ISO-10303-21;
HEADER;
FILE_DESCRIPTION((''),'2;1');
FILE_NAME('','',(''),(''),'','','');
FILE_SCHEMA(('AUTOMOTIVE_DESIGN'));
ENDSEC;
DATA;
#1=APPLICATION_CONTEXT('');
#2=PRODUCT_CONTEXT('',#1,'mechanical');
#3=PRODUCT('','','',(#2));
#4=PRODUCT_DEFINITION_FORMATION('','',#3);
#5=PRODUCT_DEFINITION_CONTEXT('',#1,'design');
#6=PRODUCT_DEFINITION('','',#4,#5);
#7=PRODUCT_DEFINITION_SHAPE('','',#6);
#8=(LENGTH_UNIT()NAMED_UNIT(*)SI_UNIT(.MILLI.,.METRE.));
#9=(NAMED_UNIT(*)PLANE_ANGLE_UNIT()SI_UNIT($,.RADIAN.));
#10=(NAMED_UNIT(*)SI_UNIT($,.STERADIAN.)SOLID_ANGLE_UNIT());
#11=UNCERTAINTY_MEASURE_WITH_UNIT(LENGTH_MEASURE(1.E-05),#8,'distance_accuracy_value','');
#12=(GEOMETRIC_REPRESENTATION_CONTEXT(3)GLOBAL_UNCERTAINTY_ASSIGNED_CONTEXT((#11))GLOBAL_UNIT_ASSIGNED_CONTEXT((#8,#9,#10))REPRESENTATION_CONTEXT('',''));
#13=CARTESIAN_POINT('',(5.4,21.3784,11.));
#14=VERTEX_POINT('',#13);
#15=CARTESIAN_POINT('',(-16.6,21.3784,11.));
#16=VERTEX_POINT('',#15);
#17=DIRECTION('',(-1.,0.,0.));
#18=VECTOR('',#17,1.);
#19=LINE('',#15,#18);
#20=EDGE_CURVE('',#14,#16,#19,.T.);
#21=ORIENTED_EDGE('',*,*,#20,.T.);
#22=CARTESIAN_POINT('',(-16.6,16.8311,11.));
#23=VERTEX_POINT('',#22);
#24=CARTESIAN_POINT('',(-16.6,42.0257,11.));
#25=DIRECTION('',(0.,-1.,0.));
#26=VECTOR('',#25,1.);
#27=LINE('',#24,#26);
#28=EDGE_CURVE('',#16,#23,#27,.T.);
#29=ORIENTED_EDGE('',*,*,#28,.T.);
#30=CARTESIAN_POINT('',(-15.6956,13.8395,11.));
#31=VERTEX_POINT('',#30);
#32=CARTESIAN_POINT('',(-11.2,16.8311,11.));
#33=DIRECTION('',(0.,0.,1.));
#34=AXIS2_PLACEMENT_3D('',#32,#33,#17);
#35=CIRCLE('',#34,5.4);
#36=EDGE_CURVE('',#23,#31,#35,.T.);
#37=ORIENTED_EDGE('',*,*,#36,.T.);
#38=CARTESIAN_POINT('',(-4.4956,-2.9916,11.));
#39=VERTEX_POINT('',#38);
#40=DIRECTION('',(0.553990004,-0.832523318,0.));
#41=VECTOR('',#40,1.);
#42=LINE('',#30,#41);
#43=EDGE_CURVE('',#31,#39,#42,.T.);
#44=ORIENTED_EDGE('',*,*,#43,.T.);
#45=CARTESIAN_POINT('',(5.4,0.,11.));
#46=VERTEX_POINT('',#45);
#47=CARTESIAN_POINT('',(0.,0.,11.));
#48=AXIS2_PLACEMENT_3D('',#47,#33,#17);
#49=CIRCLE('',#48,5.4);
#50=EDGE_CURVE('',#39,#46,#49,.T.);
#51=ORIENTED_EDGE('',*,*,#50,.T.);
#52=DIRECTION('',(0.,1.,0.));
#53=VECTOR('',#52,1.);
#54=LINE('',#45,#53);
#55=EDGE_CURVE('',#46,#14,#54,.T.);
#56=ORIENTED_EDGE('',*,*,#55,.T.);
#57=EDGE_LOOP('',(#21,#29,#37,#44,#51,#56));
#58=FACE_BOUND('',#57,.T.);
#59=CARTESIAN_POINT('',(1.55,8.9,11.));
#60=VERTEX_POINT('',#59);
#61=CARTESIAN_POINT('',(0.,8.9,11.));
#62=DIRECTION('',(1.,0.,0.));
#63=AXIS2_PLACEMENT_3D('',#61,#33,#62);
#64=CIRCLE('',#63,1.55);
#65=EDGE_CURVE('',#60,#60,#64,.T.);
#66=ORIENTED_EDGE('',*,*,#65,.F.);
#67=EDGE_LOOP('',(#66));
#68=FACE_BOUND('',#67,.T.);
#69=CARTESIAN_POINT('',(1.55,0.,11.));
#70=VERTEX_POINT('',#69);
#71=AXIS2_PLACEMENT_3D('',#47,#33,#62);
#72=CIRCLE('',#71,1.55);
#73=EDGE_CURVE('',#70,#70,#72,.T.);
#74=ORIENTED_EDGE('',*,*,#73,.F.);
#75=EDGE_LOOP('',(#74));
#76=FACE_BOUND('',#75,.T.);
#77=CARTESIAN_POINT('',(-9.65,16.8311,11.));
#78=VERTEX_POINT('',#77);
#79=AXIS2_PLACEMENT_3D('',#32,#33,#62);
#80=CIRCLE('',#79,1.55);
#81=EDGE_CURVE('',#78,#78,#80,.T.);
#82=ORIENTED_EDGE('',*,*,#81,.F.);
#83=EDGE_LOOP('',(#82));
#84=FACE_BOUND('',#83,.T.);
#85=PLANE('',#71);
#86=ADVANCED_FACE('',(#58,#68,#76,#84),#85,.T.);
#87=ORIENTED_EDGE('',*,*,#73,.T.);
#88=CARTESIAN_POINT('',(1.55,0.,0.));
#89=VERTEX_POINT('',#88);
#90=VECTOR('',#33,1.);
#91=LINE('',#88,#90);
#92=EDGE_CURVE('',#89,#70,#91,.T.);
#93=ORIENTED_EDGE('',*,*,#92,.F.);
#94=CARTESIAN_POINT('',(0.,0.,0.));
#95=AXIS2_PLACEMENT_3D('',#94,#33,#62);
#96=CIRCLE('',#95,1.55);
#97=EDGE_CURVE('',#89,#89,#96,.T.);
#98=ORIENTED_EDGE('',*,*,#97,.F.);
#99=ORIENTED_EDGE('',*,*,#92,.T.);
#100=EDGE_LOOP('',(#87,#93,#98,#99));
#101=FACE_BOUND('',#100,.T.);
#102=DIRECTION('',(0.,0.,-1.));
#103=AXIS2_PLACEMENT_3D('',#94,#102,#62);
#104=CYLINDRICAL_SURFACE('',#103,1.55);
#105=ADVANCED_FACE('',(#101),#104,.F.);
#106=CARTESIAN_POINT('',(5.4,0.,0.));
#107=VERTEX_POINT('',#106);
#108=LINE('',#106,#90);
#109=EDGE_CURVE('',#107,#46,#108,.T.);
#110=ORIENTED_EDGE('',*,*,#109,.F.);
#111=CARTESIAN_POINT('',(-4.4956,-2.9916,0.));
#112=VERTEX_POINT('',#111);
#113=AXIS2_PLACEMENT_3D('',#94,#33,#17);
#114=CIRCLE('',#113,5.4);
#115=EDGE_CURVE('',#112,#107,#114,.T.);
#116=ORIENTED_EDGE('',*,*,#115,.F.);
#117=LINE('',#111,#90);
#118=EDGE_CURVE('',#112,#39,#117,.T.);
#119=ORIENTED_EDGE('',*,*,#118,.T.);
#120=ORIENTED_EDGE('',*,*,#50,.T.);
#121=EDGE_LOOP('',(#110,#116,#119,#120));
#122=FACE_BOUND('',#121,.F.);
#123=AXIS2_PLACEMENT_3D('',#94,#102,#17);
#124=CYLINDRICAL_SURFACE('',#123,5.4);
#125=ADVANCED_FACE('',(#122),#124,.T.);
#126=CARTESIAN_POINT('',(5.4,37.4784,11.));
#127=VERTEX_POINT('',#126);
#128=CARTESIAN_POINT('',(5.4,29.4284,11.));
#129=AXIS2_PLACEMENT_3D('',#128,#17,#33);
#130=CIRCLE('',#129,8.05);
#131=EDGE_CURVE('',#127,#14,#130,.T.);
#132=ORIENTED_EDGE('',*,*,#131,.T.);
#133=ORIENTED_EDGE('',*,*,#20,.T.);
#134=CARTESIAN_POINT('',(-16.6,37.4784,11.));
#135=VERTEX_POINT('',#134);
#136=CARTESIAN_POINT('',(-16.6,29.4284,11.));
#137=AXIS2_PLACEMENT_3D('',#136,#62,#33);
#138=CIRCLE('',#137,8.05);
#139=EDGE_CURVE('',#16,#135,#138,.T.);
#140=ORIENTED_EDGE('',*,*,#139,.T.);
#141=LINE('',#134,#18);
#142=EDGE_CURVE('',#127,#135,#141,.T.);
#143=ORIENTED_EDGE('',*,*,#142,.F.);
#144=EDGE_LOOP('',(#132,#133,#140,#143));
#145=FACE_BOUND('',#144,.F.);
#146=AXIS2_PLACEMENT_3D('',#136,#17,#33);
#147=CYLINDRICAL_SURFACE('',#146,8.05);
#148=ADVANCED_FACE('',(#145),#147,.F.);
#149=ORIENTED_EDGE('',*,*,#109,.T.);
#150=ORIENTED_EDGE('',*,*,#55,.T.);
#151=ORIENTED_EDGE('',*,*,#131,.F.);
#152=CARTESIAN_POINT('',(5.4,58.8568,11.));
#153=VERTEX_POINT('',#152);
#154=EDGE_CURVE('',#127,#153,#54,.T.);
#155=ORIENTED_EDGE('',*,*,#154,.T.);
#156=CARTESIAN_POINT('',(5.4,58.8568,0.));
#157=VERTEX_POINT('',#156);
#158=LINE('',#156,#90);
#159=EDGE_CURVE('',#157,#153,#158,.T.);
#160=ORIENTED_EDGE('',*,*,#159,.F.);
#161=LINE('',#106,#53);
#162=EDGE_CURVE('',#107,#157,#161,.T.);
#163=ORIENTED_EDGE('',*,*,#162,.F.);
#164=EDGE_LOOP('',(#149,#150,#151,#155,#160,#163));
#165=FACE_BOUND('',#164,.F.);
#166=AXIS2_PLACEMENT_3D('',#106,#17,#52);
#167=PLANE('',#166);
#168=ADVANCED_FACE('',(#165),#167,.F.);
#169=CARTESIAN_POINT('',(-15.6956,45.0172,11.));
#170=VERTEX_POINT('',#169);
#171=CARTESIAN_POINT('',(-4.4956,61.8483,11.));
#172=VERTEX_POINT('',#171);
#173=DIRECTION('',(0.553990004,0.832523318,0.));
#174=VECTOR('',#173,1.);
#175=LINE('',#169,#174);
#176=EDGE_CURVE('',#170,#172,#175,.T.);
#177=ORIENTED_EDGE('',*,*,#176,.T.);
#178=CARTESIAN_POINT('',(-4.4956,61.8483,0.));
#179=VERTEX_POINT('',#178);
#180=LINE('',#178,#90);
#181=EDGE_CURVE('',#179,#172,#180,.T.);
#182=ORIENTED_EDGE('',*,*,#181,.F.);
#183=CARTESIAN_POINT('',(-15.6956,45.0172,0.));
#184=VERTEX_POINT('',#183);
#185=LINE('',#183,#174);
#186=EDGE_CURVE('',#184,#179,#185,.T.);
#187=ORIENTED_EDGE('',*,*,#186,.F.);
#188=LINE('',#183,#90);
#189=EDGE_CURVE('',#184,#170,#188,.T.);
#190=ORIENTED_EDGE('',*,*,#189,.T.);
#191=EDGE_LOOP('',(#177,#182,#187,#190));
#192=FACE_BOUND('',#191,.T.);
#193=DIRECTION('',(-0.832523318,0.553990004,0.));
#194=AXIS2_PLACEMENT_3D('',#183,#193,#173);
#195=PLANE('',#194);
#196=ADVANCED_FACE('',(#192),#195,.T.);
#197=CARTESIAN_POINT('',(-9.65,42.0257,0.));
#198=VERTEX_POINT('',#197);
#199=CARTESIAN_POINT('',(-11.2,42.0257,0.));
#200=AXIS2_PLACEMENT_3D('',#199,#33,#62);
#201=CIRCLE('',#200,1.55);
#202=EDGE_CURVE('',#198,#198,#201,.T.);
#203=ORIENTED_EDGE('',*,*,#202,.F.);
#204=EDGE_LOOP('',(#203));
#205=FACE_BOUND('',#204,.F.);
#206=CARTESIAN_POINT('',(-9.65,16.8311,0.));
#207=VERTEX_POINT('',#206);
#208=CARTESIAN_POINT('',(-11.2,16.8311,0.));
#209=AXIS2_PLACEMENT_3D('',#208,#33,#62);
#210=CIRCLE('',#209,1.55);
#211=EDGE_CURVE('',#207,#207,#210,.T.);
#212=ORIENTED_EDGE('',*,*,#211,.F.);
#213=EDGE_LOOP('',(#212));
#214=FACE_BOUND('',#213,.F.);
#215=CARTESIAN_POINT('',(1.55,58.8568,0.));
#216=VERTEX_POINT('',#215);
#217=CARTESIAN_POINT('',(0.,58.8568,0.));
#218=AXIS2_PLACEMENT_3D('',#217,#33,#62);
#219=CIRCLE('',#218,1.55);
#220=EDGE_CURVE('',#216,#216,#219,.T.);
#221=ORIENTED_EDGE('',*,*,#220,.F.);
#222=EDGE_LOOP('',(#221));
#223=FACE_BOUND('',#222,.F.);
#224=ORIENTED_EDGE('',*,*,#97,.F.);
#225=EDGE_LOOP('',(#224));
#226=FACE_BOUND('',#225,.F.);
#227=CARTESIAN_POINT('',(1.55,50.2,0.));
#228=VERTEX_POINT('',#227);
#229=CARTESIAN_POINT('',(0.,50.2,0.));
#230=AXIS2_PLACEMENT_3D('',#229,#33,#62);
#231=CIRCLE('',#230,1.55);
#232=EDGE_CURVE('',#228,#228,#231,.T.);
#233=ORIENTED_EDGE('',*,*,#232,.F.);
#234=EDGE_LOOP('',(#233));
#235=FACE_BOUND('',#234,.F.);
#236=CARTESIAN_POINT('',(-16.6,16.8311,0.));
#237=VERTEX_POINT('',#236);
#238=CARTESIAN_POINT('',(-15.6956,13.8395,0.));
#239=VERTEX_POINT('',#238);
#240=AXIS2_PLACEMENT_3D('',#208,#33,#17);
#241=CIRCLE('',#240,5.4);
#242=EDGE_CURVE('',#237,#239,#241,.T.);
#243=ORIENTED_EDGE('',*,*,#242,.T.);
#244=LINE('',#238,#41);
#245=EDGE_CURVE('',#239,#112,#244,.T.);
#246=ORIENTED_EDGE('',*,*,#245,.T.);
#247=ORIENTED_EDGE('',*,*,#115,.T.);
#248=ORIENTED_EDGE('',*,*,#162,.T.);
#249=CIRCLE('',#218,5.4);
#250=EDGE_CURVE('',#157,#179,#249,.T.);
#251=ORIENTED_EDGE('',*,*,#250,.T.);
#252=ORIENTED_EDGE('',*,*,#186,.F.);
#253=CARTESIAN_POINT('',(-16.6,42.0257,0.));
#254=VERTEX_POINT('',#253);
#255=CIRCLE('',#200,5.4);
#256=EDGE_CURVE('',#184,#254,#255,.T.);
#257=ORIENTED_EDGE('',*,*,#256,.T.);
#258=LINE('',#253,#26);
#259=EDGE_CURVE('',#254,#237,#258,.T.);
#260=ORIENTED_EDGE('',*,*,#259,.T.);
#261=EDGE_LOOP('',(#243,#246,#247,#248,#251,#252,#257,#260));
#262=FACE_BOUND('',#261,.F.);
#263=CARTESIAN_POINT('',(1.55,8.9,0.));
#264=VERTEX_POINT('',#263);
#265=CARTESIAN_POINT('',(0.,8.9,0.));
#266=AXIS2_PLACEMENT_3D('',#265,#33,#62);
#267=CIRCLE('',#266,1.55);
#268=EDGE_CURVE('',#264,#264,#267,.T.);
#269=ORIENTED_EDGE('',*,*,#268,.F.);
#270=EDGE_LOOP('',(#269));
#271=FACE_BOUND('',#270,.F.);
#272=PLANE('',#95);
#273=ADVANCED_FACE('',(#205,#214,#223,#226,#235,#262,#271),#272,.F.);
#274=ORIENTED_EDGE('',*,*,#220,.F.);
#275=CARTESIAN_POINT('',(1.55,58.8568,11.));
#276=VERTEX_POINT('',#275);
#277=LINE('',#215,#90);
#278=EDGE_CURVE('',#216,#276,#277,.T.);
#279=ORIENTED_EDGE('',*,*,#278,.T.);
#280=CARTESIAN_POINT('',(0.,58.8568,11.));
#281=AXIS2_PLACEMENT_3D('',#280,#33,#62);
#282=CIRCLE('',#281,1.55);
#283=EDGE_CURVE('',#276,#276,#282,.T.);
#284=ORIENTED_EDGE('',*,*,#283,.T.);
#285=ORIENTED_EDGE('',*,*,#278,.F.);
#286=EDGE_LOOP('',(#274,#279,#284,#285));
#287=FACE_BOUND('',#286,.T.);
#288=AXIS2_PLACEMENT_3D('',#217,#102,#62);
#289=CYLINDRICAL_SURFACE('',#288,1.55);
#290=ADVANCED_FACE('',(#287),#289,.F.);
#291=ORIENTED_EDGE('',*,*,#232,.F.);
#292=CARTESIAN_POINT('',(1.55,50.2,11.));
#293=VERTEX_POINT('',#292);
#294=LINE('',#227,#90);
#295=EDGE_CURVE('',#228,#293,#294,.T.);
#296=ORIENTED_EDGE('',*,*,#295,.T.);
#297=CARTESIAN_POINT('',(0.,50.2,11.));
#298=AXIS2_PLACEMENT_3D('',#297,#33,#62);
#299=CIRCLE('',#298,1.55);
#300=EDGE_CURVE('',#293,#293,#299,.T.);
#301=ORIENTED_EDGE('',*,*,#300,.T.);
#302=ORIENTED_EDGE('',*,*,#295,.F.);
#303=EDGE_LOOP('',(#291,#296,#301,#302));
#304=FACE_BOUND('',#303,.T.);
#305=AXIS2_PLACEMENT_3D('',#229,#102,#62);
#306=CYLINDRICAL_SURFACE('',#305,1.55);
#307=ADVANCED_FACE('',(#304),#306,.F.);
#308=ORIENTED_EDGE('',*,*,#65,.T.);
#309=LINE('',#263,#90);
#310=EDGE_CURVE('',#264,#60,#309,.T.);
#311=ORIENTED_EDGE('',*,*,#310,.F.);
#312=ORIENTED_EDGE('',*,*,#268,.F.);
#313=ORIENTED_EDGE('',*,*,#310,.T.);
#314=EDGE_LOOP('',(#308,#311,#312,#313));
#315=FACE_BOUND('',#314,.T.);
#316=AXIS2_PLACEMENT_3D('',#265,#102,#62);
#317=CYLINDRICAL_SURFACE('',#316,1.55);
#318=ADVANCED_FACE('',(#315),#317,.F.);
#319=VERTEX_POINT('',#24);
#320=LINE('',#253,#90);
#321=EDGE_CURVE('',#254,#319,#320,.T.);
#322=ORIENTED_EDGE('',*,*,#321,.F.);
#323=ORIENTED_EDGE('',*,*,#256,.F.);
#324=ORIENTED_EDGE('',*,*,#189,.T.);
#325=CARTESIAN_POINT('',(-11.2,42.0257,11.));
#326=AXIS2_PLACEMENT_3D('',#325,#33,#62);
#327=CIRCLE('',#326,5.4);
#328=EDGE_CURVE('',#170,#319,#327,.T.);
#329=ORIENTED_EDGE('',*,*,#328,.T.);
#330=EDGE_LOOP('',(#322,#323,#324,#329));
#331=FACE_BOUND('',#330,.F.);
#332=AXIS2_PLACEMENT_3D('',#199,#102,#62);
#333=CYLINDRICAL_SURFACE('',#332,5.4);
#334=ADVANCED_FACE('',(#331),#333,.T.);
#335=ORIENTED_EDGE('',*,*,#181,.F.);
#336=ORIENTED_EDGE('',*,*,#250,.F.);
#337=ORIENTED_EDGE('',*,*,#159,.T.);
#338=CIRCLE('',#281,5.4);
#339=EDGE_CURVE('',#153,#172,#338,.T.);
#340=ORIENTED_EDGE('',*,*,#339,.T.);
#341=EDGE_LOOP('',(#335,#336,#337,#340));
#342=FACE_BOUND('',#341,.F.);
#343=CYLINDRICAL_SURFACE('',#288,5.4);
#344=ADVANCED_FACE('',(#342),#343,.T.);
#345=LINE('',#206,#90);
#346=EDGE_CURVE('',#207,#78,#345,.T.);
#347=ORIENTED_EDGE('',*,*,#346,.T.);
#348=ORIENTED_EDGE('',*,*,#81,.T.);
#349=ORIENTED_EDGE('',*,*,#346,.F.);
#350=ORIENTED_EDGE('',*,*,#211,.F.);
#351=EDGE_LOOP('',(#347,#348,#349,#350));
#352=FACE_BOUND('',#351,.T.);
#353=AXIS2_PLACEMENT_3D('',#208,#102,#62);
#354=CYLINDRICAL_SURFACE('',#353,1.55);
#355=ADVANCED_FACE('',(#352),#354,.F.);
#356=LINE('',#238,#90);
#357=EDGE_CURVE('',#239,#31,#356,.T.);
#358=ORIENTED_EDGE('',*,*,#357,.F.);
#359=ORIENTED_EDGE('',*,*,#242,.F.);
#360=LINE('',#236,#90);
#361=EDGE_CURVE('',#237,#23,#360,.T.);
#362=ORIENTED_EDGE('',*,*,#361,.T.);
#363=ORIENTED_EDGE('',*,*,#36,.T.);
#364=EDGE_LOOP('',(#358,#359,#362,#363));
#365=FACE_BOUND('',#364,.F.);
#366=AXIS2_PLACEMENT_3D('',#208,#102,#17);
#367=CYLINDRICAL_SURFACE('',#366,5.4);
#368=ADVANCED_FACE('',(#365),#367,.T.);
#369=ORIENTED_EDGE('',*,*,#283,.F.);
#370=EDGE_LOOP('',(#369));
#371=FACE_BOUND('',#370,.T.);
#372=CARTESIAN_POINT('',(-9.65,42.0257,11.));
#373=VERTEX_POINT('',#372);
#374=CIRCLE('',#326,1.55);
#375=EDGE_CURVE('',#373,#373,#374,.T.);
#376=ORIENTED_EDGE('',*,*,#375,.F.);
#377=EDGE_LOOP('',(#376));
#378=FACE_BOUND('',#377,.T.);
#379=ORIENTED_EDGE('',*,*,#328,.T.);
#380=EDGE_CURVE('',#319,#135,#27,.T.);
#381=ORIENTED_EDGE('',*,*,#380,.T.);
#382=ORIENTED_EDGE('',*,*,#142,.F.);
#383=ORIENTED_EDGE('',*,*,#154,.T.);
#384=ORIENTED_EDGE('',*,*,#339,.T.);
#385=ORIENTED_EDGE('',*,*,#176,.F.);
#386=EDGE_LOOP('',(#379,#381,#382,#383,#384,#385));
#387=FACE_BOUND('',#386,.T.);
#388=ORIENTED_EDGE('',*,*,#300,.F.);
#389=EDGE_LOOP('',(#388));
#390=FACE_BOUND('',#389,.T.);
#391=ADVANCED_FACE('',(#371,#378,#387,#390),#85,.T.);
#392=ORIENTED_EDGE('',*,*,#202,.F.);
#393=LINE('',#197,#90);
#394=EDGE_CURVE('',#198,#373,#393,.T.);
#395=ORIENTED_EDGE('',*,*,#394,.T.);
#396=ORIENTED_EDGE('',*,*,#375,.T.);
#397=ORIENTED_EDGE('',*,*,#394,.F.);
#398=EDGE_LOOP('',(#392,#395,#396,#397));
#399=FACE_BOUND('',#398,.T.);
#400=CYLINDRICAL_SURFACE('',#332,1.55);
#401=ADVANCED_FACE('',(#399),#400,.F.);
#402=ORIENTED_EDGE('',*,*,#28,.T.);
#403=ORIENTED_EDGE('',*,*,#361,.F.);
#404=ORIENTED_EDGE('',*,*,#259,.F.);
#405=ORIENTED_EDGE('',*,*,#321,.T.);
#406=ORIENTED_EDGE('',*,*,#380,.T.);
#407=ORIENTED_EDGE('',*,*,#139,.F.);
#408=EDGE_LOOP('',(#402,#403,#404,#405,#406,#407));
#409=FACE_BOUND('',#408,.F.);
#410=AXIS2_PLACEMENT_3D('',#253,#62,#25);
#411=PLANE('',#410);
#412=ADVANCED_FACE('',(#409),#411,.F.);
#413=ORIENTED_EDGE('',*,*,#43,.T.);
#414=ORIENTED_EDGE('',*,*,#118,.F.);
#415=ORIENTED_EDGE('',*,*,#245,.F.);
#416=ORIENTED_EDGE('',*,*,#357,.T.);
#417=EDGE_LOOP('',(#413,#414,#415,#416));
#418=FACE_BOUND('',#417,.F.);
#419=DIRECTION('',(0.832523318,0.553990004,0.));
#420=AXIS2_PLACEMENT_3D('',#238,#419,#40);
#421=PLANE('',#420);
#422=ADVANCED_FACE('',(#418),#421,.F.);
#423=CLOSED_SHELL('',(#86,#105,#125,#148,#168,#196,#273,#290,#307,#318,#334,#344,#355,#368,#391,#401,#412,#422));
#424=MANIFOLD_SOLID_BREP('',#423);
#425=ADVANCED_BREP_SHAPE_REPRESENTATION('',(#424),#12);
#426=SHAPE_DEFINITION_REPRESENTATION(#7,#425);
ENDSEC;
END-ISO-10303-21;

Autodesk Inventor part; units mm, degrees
ref_plane "YZ Plane" through (0, 0, 0) normal (1, 0, 0) x (0, 1, 0)
ref_plane "XZ Plane" through (0, 0, 0) normal (0, 1, 0) x (-1, 0, 0)
ref_plane "XY Plane" through (0, 0, 0) normal (0, 0, 1) x (1, 0, 0)
sketch "Sketch1" plane through (0, 0, 0) normal (0, 0, 1) x (1, 0, 0)
  circle A0 centre (-11.2, 42.0257) radius 1.55
  circle A1 centre (0, 58.8568) radius 1.55
  circle A2 centre (-11.2, 16.8311) radius 1.55
  circle A3 centre (0, 8.9) radius 1.55
  circle A4 centre (0, 0) radius 1.55
  line L0 (-16.6, 4.9998) -> (-16.6, 54.9998) construction
  circle A5 centre (0, 50.2) radius 1.55
  line L1 (-11.2, 42.0257) -> (-11.2, 16.8311) construction
  line L2 (-16.6, 42.0257) -> (-16.6, 16.8311)
  line L3 (-5.8, 16.8311) -> (-5.8, 42.0257)
  arc A6 (-5.8, 42.0257) -> (-16.6, 42.0257) centre (-11.2, 42.0257) ccw
  arc A7 (-16.6, 16.8311) -> (-5.8, 16.8311) centre (-11.2, 16.8311) ccw
  line L4 (0, 58.8568) -> (0, 0) construction
  line L5 (-5.4, 58.8568) -> (-5.4, 0)
  line L6 (5.4, 0) -> (5.4, 58.8568)
  arc A8 (5.4, 58.8568) -> (-5.4, 58.8568) centre (0, 58.8568) ccw
  arc A9 (-5.4, 0) -> (5.4, 0) centre (0, 0) ccw
  line L7 (-15.6956, 45.0172) -> (-4.4956, 61.8483)
  line L8 (-15.6956, 13.8395) -> (-4.4956, -2.9916)
  point P0 (17, 90.5)
  point P1 (-11.2, 29.4284)
  point P2 (0, 29.4284)
  point P3 (-5.8, 29.2936)
  point P4 (-5.8, 29.2936)
  point P5 (-16.6, 29.4284)
  dimension "d2" = 0
  dimension "d3" = 0
  dimension "d4" = 0
  dimension "d5" = 0
  dimension "d6" = 16.6
  dimension "d7" = 5.4
  dimension "d8" = 5.4
  dimension "d9" = 5.4
  dimension "d10" = 3.1
  dimension "d11" = 3.1
  dimension "d12" = 3.1
  dimension "d13" = 3.1
  dimension "d14" = 3.1
  dimension "d15" = 3.1
extrude "Extrusion1" add sketch "Sketch1" along normal blind 11
sketch "Sketch2" plane through (-16.6, 16.8311, 0) normal (-1, 0, 0) x (0, 0, 1)
  line L0 (11, 25.1946) -> (11, 0) projected
  circle A0 centre (11, 12.5973) radius 8.05
  point P0 (0, -16.8311)
  dimension "d18" = 16.1
extrude "Extrusion2" cut sketch "Sketch2" against normal through all
equation "\"d8\" = d7"
equation "\"d9\" = d8"
equation "\"d11\" = d10"
equation "\"d12\" = d10"
equation "\"d13\" = d10"
equation "\"d14\" = d10"
equation "\"d15\" = d10"
properties part number "PlateSpacer6Hole - EndArmClamp"
